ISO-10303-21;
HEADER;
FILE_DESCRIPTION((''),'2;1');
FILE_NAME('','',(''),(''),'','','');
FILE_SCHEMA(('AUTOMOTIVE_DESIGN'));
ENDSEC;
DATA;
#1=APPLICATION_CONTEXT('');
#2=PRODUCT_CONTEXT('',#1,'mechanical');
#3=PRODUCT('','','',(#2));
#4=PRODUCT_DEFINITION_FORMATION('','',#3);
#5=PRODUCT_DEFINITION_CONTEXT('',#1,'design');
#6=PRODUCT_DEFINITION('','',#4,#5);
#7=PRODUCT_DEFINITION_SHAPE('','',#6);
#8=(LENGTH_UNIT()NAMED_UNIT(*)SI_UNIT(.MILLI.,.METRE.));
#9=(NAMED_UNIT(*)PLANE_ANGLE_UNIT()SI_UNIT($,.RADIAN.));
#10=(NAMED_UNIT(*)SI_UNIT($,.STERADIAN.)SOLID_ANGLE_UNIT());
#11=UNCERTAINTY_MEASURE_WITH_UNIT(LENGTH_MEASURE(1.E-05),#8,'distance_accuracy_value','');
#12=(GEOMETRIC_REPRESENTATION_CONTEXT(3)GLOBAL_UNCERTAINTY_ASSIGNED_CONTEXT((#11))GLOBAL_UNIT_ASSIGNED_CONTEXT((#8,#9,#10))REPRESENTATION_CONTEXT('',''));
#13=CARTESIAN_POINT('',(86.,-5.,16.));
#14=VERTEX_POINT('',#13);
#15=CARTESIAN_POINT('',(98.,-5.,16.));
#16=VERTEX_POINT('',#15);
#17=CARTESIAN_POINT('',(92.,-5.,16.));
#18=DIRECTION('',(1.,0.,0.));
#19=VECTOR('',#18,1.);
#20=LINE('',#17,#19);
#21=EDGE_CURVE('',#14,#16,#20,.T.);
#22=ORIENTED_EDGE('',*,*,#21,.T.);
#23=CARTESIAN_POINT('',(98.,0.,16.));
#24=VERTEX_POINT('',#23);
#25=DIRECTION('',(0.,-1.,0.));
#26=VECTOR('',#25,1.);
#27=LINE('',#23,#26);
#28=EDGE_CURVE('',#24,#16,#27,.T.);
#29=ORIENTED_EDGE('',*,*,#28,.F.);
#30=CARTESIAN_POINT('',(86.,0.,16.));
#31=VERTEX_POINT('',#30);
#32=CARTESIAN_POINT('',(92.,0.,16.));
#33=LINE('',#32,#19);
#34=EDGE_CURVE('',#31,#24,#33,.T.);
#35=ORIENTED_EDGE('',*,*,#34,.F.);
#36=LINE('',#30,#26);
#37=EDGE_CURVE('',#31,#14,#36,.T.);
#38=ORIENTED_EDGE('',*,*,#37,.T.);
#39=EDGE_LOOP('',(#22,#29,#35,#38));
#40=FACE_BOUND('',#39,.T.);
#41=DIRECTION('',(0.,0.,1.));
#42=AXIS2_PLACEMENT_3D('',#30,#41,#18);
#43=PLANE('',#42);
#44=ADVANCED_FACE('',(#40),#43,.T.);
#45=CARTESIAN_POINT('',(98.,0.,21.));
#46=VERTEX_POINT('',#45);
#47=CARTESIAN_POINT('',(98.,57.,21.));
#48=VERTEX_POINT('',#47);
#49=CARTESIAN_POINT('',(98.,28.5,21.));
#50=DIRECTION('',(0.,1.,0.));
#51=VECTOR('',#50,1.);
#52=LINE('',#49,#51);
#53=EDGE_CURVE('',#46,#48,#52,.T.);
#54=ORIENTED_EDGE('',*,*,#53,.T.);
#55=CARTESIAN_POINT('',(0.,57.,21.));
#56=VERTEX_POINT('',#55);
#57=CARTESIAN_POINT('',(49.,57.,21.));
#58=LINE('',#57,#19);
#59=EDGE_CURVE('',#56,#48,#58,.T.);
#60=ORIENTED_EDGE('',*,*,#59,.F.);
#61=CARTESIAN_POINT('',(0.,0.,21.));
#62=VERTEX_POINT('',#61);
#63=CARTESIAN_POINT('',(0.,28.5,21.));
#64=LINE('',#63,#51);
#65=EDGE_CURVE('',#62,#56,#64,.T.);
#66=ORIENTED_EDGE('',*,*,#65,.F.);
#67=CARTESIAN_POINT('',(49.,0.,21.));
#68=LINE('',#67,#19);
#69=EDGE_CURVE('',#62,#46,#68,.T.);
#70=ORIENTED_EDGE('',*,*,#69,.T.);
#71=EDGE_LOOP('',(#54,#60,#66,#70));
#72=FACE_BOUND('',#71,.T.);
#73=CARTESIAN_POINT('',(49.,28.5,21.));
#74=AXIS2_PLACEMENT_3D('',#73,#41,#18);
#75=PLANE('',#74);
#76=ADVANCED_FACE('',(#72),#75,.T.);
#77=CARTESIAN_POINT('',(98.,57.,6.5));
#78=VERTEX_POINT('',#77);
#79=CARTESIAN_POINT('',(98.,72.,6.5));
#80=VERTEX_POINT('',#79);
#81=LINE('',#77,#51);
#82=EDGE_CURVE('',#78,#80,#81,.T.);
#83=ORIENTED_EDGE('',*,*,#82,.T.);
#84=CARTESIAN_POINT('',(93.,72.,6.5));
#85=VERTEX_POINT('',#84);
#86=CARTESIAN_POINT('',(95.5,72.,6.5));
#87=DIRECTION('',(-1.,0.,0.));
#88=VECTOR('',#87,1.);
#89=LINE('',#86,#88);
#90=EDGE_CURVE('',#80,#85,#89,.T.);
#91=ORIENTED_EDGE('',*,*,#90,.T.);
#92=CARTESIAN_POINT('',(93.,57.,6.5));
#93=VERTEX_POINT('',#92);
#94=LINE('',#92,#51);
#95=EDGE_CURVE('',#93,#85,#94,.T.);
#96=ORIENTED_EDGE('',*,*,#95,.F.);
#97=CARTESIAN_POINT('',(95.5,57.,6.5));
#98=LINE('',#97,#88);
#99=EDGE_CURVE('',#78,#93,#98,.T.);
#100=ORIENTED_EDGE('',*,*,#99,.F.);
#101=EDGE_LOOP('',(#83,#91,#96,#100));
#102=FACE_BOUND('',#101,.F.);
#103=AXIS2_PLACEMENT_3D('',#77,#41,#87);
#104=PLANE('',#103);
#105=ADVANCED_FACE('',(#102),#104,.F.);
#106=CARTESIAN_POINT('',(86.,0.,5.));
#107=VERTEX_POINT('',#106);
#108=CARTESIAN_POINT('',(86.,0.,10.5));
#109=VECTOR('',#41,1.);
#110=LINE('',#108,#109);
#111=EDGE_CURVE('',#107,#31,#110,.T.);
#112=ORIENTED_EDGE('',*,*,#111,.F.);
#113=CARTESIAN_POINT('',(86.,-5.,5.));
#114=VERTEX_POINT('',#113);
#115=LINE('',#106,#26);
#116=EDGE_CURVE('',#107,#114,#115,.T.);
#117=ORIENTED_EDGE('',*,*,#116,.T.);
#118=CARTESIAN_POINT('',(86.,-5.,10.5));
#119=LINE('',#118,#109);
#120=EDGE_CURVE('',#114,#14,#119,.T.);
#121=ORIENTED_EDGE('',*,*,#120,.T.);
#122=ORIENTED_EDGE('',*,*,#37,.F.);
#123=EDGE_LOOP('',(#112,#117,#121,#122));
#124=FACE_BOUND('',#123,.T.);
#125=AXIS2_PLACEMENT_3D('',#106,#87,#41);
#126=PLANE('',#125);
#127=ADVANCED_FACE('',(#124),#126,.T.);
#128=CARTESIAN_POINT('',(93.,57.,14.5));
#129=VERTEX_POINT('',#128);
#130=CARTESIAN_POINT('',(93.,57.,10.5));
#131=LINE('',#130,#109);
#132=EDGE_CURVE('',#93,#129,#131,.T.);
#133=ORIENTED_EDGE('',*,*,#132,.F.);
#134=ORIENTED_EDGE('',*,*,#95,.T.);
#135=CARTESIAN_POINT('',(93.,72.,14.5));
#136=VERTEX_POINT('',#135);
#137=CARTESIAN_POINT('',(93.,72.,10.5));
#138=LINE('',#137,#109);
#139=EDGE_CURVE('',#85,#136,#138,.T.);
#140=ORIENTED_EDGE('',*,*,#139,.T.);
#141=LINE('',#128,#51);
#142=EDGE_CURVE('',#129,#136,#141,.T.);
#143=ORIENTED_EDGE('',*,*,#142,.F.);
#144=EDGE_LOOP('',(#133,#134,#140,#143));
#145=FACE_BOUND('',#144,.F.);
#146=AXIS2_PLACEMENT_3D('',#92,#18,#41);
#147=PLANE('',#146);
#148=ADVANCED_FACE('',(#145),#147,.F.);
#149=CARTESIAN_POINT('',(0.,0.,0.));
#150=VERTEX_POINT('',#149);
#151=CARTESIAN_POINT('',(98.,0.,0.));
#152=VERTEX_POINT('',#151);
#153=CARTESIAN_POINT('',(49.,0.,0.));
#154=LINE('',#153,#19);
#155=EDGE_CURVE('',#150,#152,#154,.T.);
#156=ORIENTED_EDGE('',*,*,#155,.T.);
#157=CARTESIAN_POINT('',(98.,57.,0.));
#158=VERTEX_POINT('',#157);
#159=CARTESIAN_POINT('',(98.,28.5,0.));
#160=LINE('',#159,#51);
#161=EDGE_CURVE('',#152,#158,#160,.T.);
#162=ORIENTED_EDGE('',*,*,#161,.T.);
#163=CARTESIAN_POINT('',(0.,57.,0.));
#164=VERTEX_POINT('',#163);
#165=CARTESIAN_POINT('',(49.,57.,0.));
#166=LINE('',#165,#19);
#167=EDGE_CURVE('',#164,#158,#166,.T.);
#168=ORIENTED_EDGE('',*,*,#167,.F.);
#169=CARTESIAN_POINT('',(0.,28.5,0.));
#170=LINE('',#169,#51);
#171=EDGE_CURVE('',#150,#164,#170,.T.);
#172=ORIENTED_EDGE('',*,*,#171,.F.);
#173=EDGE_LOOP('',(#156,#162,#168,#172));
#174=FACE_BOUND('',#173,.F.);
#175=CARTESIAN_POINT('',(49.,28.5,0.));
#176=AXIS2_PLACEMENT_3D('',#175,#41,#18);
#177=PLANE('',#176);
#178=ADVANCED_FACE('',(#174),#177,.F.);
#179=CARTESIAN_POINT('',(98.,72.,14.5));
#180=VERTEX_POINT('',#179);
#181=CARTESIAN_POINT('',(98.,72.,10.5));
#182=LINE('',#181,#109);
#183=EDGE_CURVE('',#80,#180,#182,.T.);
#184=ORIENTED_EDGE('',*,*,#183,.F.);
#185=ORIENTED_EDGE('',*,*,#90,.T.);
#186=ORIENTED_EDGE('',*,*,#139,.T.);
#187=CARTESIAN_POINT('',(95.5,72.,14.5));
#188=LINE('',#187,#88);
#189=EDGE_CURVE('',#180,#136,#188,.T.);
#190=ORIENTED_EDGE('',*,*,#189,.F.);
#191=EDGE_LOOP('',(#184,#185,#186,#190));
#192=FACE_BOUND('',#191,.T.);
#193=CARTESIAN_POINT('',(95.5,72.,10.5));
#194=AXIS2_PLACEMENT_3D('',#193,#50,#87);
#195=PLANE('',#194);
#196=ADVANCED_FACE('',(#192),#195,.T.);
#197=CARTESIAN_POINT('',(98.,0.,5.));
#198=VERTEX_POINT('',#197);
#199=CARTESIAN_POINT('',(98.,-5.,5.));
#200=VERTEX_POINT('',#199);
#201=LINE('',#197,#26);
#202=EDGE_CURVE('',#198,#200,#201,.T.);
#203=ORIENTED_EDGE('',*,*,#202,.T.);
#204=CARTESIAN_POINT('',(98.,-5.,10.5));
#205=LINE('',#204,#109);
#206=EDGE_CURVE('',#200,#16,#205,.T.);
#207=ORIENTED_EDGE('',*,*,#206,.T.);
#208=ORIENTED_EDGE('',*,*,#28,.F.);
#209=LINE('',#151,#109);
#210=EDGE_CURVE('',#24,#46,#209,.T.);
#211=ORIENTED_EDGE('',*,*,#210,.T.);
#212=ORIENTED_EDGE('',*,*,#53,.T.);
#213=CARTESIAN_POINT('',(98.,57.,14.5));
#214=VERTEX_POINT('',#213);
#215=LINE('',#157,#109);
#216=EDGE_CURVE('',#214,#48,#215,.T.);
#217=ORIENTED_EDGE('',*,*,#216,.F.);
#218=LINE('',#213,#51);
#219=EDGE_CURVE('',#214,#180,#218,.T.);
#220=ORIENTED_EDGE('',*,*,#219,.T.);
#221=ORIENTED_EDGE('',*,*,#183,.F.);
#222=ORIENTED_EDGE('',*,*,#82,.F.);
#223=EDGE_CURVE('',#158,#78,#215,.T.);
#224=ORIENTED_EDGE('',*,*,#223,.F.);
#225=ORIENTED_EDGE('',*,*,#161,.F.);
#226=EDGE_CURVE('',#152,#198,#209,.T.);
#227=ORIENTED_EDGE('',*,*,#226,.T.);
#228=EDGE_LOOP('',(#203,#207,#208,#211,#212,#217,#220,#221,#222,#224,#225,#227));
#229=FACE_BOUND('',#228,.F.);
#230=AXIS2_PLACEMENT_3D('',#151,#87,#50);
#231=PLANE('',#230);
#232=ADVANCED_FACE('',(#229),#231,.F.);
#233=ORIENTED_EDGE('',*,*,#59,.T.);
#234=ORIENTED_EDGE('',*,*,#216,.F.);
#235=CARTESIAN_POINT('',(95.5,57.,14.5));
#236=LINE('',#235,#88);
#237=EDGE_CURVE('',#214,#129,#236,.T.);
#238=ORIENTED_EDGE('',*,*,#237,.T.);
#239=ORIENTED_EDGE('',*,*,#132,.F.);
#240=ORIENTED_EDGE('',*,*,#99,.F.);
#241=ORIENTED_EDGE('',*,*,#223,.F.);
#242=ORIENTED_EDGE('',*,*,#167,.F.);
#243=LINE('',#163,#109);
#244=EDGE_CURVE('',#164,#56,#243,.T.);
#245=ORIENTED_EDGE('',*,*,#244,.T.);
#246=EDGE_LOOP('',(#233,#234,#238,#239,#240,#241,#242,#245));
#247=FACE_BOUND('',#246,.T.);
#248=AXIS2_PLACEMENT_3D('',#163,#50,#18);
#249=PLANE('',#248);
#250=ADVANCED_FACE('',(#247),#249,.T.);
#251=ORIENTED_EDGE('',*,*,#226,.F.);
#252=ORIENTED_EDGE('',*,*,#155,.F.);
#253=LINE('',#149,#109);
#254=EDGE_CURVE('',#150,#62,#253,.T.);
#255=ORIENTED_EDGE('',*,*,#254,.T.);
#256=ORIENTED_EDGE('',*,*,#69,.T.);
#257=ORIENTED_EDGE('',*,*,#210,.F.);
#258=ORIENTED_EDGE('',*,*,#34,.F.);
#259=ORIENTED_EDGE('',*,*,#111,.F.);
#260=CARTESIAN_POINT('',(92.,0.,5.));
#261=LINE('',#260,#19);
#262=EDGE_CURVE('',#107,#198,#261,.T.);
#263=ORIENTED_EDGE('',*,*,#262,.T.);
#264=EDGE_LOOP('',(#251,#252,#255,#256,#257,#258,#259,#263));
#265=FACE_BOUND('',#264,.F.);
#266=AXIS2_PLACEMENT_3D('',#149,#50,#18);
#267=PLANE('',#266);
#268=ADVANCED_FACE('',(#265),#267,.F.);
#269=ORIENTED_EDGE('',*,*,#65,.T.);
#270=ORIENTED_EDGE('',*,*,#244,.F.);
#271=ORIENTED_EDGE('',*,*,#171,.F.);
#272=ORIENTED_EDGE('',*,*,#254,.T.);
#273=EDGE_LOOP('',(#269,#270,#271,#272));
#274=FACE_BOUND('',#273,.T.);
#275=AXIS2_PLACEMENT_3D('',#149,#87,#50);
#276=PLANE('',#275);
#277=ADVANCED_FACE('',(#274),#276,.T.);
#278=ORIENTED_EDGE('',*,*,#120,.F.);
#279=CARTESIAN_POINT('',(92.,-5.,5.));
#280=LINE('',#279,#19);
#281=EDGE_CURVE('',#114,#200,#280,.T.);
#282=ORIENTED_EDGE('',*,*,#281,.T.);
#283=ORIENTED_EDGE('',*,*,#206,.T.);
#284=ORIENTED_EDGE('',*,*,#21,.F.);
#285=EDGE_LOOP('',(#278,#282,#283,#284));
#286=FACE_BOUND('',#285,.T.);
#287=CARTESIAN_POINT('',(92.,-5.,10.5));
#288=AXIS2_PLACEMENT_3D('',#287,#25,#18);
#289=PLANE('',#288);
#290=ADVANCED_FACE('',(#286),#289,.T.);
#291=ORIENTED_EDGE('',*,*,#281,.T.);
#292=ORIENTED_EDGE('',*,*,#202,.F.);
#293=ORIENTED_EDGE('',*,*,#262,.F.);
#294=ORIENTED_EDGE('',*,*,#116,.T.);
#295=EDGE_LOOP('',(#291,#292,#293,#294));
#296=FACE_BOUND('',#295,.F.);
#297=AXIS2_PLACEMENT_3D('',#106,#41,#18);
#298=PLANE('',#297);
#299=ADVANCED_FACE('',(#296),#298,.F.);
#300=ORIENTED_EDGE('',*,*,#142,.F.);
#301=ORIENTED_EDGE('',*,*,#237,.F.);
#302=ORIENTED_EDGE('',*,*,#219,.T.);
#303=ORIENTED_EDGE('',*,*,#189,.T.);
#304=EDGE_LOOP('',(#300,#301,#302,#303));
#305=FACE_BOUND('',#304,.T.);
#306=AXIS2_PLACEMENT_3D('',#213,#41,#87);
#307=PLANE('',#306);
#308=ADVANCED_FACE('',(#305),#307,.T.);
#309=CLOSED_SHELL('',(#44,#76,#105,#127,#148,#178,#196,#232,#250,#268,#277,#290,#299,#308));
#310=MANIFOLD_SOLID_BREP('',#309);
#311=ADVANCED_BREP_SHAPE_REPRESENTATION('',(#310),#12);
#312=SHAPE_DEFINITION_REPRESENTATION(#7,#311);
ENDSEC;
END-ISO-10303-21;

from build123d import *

# Parameters (mm, degrees)
F0_W     = 98
F0_H     = 57
F1_DEPTH = 21
F2_W     = 5
F2_H     = 8
F3_DEPTH = 15
F4_W     = 12
F4_H     = 11
F5_DEPTH = 5


with BuildPart() as f1:
    # F0 (on Top) → F1 (new body)
    with BuildSketch(Plane.XY):
        with Locations((49, 28.5)):
            Rectangle(F0_W, F0_H)
    extrude(amount=F1_DEPTH)

    # F2 (on face) → F3 (join)
    with BuildSketch(Plane(origin=(0, 57, 0), x_dir=(-1, 0, 0), z_dir=(0, 1, 0))):
        with Locations((-95.5, 10.5)):
            Rectangle(F2_W, F2_H)
    extrude(amount=F3_DEPTH)

    # F4 (on face) → F5 (join)
    with BuildSketch(Plane.XZ):
        with Locations((92, 10.5)):
            Rectangle(F4_W, F4_H)
    extrude(amount=F5_DEPTH)


solid = f1.part
